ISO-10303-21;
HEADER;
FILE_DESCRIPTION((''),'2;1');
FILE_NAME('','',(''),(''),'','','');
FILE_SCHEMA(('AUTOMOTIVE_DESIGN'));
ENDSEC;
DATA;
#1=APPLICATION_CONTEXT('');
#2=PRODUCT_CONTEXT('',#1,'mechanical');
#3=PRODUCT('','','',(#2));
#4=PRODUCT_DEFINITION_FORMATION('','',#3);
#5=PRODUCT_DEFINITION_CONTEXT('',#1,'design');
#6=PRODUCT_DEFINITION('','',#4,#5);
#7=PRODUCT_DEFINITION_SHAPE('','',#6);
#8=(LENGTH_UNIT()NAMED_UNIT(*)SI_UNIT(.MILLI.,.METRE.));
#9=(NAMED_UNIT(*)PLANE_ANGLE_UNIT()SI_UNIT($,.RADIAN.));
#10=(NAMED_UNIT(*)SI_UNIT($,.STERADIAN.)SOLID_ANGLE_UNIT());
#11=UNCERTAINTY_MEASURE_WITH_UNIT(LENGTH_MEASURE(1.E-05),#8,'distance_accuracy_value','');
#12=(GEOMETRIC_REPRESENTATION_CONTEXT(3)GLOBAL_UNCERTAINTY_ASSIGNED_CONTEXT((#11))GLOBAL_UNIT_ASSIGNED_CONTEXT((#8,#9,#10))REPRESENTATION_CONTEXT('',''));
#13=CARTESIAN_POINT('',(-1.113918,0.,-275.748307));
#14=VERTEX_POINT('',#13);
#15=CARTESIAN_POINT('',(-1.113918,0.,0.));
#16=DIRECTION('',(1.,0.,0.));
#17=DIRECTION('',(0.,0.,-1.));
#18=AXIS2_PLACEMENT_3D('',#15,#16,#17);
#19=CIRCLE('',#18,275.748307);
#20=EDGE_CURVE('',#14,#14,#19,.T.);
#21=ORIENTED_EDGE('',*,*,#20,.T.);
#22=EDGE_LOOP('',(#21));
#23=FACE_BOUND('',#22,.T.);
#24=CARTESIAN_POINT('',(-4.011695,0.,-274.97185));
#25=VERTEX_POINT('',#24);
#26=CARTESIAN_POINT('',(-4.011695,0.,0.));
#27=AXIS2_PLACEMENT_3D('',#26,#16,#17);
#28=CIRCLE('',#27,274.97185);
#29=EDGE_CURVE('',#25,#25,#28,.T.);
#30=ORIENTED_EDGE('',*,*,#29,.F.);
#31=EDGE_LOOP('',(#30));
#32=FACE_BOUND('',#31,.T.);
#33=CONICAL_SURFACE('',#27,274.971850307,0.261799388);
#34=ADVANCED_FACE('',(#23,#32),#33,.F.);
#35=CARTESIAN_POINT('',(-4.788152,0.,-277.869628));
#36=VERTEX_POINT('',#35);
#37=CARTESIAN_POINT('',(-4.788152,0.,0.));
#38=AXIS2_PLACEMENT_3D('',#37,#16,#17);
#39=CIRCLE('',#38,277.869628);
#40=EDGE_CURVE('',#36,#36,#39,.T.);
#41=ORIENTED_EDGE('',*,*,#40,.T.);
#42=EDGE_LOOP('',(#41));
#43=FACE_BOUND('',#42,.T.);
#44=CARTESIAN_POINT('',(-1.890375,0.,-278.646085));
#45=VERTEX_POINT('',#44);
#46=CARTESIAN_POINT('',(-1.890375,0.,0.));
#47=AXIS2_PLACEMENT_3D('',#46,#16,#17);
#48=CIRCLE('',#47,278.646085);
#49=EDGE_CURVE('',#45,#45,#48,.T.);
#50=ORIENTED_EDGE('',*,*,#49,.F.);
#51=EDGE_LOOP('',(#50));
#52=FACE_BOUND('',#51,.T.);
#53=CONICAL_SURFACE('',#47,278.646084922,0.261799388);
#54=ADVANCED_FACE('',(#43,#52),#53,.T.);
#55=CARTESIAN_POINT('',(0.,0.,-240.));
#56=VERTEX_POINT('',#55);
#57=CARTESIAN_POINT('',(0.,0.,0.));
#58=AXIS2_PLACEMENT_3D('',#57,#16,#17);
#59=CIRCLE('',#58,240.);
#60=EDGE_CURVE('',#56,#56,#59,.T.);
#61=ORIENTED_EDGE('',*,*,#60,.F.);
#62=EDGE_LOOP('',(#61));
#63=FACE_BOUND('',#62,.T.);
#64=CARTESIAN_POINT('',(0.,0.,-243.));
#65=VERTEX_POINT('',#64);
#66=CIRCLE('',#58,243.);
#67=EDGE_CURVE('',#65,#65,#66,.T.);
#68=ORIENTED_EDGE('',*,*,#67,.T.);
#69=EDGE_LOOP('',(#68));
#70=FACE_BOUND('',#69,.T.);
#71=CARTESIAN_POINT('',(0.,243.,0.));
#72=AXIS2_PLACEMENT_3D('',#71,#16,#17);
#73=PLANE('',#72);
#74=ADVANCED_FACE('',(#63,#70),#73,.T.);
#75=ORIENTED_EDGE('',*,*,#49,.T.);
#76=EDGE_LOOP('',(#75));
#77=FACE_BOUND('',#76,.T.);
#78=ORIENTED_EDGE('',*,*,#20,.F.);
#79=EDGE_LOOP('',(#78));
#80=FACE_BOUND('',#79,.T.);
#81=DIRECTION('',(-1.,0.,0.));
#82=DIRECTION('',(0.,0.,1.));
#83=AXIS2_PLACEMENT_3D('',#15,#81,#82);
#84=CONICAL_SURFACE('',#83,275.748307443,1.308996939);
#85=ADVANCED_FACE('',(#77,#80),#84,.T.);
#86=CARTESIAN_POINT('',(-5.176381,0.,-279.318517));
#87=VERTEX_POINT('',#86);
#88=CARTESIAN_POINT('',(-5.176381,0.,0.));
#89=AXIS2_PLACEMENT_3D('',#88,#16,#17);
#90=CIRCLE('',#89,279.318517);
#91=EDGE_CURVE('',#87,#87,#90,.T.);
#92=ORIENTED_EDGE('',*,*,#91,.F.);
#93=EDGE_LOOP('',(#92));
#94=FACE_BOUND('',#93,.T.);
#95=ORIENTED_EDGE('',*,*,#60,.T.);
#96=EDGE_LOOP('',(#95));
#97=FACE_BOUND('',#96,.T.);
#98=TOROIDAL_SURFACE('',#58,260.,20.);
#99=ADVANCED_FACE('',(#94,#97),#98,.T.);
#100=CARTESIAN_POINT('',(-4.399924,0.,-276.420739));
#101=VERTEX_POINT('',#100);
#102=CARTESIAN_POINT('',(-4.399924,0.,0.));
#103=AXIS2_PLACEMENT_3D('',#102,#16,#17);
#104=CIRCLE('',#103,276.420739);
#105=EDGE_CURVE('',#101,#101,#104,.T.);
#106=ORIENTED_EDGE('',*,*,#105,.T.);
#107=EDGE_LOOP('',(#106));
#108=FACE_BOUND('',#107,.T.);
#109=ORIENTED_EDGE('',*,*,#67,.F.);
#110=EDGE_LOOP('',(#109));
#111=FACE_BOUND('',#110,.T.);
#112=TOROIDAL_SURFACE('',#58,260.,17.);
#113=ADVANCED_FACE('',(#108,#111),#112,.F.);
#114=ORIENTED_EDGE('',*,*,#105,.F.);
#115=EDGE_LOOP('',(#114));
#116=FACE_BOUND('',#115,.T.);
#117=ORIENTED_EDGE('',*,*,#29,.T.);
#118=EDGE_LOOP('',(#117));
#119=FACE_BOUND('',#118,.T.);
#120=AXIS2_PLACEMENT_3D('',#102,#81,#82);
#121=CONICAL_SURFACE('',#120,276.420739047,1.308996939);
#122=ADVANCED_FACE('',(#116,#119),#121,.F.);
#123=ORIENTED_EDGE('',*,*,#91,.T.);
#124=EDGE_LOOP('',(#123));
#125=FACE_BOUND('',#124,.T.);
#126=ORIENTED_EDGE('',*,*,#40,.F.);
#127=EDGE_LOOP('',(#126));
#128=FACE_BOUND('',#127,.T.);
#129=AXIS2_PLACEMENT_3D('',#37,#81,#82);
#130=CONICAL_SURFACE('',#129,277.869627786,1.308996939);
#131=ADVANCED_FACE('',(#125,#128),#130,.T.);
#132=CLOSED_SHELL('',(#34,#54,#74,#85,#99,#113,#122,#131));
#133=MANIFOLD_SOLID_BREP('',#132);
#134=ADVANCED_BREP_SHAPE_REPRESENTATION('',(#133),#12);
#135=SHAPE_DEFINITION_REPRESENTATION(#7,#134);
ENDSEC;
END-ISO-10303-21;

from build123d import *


with BuildPart() as part:
    # Sketch1 → Revolve1 (revolve)
    with BuildSketch(Plane.XY, mode=Mode.PRIVATE) as revolve1_sk:
        with BuildLine():
            Line((-5.176380902, 279.318516526), (-4.788152334, 277.869627786))
            Line((-4.788152334, 277.869627786), (-1.890374856, 278.646084922))
            Line((-1.890374856, 278.646084922), (-1.11391772, 275.748307443))
            Line((-1.11391772, 275.748307443), (-4.011695199, 274.971850307))
            Line((-4.011695199, 274.971850307), (-4.399923767, 276.420739047))
            ThreePointArc((-4.399923767, 276.420739047), (-16.854562643, 257.781054732), (0, 243))
            Line((0, 243), (0, 240))
            ThreePointArc((0, 240), (-19.828897227, 257.389476156), (-5.176380902, 279.318516526))
        make_face()
    revolve(revolve1_sk.sketch.rotate(Axis((157.438506418, 0, 0), (-1, 0, 0)), 90), axis=Axis((157.438506418, 0, 0), (-1, 0, 0)))


solid = part.part
